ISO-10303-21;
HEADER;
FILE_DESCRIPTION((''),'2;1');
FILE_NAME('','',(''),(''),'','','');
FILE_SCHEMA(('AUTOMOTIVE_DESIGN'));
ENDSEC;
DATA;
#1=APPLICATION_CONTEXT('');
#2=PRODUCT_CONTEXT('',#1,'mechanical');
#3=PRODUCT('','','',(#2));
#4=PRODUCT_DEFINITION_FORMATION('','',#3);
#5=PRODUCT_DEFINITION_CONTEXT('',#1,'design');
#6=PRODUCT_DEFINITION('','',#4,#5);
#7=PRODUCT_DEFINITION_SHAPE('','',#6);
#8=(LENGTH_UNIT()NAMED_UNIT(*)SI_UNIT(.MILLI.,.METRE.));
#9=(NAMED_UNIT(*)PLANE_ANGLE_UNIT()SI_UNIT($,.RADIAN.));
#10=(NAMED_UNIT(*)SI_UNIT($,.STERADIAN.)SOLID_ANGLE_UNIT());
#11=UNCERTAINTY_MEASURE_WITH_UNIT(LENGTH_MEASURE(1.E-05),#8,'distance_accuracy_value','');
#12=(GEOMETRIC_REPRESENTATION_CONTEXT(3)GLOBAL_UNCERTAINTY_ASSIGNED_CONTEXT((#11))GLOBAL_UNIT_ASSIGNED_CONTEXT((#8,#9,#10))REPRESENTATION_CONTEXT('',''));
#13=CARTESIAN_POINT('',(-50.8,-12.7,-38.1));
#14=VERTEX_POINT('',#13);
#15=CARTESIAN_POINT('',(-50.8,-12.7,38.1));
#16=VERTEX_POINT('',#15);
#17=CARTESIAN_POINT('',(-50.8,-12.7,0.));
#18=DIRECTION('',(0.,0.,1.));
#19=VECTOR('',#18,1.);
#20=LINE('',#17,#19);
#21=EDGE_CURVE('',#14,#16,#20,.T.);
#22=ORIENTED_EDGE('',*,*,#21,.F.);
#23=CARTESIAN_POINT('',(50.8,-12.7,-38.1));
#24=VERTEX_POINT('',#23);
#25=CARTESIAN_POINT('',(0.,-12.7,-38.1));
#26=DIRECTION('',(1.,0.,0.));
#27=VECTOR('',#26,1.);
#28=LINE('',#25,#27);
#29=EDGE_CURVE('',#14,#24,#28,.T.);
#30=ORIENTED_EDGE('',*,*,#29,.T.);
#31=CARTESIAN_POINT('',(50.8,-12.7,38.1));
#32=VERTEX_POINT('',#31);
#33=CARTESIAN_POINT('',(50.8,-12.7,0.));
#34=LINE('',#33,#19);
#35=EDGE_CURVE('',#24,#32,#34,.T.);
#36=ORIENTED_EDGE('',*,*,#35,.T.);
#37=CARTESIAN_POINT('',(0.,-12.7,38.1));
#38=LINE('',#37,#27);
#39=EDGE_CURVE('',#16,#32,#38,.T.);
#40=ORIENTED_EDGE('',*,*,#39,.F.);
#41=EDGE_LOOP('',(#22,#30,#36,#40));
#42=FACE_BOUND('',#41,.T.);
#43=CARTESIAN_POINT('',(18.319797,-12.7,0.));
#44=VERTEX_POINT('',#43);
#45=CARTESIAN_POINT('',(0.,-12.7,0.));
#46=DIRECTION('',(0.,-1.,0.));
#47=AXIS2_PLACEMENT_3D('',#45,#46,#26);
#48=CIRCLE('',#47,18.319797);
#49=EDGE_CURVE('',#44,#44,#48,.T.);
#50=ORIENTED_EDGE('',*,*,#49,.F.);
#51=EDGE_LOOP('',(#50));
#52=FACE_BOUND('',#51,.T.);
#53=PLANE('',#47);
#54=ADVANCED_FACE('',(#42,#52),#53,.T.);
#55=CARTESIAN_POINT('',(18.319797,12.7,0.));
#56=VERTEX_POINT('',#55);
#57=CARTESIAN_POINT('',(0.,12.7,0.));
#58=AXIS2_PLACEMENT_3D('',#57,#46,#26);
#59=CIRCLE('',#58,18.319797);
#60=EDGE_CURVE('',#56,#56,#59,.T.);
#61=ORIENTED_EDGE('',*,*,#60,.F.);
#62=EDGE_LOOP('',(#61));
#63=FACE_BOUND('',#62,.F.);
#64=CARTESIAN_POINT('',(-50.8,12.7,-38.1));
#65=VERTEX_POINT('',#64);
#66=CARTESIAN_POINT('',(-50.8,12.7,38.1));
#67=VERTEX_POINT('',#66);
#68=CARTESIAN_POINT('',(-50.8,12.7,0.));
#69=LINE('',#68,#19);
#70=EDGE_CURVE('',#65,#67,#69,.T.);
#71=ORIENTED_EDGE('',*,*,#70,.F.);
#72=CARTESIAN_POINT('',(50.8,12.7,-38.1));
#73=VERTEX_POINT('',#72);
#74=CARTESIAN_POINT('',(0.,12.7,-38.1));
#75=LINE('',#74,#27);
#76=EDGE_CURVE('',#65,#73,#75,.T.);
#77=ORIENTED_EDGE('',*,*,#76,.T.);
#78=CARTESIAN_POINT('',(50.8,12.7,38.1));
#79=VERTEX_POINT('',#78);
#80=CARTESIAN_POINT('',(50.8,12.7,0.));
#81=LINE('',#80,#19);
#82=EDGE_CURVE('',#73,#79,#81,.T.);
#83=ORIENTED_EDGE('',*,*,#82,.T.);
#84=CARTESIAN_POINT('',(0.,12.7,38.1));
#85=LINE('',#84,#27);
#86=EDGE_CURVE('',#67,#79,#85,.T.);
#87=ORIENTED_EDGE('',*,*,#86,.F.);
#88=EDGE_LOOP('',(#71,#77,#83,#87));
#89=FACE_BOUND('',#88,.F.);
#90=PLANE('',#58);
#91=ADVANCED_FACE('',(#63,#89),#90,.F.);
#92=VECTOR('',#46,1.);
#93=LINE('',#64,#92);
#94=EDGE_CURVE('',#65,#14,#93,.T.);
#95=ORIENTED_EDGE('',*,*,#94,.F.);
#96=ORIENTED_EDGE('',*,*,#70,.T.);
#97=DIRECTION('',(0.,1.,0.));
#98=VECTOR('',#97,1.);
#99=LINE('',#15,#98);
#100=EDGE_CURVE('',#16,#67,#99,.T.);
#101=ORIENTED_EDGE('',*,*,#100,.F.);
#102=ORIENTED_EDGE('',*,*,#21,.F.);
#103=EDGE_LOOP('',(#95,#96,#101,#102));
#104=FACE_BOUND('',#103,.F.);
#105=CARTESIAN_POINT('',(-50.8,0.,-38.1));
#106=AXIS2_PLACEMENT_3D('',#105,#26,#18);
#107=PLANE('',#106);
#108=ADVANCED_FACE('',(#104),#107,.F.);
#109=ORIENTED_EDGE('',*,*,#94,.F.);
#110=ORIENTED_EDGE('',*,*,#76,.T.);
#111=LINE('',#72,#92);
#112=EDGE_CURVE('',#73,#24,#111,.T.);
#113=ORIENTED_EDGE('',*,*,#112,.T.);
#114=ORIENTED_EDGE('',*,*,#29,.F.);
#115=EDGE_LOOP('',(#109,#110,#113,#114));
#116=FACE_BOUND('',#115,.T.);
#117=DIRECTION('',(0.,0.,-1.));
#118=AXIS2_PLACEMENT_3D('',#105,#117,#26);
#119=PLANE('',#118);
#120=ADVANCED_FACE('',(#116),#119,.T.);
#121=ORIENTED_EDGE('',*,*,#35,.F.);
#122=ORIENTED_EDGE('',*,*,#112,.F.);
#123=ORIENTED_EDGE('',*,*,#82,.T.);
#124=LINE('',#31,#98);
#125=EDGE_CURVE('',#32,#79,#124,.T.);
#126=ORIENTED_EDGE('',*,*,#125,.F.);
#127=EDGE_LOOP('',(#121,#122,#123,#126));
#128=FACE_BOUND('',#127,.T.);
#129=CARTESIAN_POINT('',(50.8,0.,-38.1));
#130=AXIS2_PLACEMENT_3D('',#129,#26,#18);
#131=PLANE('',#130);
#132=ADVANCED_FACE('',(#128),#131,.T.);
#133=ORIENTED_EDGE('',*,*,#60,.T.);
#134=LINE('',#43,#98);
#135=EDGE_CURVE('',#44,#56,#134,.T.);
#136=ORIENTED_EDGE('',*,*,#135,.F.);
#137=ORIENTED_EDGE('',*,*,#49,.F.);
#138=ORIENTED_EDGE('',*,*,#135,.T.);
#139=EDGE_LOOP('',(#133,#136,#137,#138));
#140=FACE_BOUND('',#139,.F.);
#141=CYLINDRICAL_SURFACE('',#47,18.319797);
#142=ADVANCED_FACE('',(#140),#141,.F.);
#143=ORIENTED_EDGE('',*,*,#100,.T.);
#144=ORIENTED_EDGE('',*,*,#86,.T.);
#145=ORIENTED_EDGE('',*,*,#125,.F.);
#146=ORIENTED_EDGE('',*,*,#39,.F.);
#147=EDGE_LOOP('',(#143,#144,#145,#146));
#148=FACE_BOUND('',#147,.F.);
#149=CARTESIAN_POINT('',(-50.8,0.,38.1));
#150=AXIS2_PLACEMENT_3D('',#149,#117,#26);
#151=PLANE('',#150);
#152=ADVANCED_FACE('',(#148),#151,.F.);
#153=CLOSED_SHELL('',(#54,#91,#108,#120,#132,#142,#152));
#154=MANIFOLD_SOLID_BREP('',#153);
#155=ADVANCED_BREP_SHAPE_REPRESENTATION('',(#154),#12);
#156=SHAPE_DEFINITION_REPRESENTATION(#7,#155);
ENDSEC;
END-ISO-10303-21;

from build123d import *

# Parameters (mm, degrees)
F0_W     = 101.6
F0_H     = 76.2
F1_DEPTH = 12.7
F2_R     = 18.319797
F3_DEPTH = 25.401


with BuildPart() as f1:
    # F0 (on Front) → F1 (new body, symmetric)
    with BuildSketch(Plane.XZ):
        Rectangle(F0_W, F0_H)
    extrude(amount=F1_DEPTH, both=True)

    # F2 (on face) → F3 (cut, through all)
    with BuildSketch(Plane.XZ.offset(12.7)):
        Circle(F2_R)
    extrude(amount=-F3_DEPTH, mode=Mode.SUBTRACT)


solid = f1.part
